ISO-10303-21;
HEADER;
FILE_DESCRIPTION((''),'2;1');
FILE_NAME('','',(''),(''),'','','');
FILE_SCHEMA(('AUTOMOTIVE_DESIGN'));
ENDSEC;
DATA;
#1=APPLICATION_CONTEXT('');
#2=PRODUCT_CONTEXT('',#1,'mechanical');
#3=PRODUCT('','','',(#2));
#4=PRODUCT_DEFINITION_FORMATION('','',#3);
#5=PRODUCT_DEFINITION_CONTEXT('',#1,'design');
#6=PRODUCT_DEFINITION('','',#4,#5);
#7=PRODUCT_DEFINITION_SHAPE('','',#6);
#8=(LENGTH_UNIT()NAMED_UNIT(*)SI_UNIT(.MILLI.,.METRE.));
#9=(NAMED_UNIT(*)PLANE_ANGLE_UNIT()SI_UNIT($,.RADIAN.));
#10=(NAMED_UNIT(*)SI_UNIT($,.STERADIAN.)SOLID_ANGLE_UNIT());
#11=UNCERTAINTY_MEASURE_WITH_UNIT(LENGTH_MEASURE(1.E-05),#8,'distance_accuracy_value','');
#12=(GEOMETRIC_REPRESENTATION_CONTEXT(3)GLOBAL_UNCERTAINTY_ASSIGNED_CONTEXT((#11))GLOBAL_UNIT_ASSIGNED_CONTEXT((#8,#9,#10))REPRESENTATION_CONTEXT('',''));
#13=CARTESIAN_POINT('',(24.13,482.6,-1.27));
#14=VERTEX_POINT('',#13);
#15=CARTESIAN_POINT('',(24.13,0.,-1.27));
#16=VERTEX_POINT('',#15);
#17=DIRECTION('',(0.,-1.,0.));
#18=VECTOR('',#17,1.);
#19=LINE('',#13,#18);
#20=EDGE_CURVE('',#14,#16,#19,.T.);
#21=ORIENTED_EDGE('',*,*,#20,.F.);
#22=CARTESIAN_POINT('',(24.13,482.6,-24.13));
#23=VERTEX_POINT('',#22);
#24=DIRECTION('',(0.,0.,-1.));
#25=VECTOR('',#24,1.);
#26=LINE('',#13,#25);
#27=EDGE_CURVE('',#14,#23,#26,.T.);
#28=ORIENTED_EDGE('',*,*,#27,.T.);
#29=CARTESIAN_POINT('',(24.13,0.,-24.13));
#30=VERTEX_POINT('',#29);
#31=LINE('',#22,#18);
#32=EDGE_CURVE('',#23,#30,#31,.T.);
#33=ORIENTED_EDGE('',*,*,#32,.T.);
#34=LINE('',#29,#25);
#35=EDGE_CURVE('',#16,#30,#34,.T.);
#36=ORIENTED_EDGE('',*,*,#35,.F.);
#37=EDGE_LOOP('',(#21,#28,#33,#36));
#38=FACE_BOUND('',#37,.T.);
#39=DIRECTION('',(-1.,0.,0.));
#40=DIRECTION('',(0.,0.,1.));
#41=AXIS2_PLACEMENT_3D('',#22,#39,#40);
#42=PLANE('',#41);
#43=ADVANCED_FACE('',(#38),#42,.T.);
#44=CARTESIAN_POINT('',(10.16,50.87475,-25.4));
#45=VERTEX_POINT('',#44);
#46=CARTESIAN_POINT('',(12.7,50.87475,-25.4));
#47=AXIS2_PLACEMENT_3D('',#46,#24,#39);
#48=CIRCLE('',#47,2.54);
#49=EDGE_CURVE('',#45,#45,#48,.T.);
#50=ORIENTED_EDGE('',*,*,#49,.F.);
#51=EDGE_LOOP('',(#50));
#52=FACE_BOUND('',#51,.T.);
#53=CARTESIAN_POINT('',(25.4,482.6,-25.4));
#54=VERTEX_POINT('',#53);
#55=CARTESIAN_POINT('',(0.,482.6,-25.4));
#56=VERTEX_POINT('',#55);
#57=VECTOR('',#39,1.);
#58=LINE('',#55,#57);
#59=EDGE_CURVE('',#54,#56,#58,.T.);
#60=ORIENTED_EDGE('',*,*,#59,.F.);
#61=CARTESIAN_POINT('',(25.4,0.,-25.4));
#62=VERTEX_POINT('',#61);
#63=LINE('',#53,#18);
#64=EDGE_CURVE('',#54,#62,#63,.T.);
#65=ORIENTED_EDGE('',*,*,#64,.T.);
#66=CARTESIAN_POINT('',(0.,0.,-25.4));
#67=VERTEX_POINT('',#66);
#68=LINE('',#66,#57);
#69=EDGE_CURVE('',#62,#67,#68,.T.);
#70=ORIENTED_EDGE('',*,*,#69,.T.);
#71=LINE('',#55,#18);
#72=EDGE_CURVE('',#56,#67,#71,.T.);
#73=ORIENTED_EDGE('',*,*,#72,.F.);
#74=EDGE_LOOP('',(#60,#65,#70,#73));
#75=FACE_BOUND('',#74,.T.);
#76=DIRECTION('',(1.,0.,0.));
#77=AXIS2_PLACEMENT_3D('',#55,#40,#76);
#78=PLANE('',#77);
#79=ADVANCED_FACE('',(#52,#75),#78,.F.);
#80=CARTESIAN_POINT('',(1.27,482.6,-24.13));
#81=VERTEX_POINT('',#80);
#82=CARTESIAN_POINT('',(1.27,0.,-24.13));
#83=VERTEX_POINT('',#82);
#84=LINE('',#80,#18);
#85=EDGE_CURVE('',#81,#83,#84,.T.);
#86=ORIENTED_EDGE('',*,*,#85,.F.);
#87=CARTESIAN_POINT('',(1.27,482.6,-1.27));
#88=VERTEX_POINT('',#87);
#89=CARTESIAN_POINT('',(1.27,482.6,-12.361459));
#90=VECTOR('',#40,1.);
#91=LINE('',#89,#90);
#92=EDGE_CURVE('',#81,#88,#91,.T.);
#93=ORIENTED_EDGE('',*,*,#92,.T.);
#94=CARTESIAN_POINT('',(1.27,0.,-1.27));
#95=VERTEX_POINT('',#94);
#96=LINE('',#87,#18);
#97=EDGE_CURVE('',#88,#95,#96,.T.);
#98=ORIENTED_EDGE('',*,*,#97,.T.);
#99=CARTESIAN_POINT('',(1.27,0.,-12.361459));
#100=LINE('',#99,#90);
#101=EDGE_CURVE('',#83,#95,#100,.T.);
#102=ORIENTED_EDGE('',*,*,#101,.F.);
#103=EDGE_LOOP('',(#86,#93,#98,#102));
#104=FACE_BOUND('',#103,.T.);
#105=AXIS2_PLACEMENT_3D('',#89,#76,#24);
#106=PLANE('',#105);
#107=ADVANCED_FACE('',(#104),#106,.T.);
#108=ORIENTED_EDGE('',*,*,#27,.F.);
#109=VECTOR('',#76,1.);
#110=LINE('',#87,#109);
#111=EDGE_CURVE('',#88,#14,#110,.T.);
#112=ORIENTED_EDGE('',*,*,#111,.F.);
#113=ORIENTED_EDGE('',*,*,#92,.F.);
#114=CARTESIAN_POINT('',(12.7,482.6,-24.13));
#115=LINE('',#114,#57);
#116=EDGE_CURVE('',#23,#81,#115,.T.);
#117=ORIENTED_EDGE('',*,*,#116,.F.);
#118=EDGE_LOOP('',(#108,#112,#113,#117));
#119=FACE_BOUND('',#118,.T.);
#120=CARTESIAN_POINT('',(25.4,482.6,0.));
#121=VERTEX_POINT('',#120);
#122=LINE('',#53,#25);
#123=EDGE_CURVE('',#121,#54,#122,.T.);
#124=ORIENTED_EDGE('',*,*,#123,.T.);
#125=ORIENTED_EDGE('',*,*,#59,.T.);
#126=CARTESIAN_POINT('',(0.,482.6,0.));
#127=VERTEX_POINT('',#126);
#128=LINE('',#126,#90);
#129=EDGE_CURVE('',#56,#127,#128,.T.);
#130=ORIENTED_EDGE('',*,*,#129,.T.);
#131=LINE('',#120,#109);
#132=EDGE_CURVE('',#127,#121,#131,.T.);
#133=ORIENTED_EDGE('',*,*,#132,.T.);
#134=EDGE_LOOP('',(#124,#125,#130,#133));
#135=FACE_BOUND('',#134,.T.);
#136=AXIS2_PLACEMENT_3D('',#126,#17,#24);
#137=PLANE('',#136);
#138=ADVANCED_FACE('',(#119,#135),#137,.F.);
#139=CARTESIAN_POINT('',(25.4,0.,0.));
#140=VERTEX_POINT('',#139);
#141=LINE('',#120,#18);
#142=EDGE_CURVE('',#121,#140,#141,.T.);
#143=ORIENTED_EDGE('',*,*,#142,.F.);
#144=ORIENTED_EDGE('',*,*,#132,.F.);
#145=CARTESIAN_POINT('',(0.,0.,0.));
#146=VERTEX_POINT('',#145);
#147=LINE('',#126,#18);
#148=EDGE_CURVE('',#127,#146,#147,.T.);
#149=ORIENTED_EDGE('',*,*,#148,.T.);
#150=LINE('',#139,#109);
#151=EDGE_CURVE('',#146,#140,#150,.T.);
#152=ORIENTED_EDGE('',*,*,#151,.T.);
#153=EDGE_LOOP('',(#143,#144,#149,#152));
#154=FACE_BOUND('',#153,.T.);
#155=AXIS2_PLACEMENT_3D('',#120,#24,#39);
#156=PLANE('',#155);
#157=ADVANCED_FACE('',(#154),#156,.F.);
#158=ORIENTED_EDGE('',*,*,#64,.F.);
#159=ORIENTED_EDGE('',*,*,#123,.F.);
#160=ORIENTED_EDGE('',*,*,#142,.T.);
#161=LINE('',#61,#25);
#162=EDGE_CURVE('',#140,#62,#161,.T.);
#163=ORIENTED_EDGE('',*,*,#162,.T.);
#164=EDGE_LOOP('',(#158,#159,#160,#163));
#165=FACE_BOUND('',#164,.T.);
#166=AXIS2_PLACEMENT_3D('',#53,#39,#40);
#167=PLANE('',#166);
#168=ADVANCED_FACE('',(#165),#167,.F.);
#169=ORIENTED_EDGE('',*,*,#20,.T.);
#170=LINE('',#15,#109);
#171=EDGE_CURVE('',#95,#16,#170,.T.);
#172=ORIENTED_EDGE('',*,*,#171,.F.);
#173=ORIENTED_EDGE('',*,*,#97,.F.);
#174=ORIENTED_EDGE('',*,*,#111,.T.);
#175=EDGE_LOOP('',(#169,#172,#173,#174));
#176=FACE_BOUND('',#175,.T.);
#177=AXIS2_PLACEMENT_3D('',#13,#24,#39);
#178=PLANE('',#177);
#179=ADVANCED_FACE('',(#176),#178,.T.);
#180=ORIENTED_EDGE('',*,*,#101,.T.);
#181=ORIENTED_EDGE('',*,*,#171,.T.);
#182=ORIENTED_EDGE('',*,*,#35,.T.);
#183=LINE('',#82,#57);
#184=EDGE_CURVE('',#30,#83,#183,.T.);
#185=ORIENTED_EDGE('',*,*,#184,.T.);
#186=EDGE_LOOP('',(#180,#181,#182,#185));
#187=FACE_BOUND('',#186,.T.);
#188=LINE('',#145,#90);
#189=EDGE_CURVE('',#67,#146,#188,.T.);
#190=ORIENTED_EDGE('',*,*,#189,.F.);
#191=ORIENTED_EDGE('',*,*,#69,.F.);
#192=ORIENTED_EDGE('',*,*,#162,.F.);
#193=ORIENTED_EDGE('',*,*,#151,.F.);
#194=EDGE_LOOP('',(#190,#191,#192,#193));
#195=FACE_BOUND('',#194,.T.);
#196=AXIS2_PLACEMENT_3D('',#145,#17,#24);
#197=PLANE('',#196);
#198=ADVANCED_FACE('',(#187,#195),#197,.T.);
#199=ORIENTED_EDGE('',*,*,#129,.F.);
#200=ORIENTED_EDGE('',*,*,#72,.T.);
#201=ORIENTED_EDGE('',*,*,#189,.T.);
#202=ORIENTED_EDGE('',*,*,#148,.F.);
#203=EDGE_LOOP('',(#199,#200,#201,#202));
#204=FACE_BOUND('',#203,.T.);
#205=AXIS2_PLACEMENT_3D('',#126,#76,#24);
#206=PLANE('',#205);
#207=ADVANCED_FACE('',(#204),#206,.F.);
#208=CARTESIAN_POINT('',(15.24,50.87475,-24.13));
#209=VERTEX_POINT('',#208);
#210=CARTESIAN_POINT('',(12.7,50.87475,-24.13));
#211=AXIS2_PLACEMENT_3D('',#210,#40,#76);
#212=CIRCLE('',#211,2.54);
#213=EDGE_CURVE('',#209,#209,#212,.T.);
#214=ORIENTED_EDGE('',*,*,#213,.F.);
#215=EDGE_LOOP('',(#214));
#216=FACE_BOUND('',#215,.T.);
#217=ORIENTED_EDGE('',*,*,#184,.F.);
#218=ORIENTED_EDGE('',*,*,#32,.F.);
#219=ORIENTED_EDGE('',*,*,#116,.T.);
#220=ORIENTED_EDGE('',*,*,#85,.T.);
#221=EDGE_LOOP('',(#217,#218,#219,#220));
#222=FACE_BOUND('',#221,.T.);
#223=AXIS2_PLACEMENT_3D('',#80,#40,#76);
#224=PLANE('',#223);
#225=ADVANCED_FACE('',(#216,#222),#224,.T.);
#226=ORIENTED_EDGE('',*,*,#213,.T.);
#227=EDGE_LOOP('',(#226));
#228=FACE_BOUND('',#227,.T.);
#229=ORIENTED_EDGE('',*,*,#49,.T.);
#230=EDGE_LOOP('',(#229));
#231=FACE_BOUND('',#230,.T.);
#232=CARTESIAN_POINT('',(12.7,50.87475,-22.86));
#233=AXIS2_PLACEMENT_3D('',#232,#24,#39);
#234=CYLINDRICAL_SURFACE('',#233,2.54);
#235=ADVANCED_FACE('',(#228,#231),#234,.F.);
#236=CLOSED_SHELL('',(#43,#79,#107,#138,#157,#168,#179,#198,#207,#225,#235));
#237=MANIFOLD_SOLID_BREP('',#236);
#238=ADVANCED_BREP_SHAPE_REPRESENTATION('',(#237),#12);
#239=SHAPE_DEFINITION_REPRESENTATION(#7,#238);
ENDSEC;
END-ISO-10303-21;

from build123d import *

# Parameters (mm, degrees)
SKETCH1_W           = 25.4
SKETCH1_H           = 25.4
BOSS_EXTRUDE1_DEPTH = 482.6
SKETCH2_R           = 2.54
CUT_EXTRUDE1_DEPTH  = 2.54


with BuildPart() as part:
    # Sketch1 → Boss-Extrude1 (new body)
    with BuildSketch(Plane(origin=(0, 0, 0), x_dir=(1, 0, 0), z_dir=(0, 1, 0))):
        with Locations((12.7, 12.7)):
            Rectangle(SKETCH1_W, SKETCH1_H)
        Polygon((1.27, 12.361459156), (1.27, 24.13), (12.7, 24.13), (24.13, 24.13), (24.13, 12.7), (24.13, 1.27), (12.7, 1.27), (1.27, 1.27), align=None, mode=Mode.SUBTRACT)
    extrude(amount=BOSS_EXTRUDE1_DEPTH)

    # Sketch2 → Cut-Extrude1 (cut)
    with BuildSketch(Plane(origin=(0, 0, -25.4), x_dir=(-1, 0, 0), z_dir=(0, 0, -1))):
        with Locations((-12.7, 50.874750115)):
            Circle(SKETCH2_R)
    extrude(amount=-CUT_EXTRUDE1_DEPTH, mode=Mode.SUBTRACT)


solid = part.part
